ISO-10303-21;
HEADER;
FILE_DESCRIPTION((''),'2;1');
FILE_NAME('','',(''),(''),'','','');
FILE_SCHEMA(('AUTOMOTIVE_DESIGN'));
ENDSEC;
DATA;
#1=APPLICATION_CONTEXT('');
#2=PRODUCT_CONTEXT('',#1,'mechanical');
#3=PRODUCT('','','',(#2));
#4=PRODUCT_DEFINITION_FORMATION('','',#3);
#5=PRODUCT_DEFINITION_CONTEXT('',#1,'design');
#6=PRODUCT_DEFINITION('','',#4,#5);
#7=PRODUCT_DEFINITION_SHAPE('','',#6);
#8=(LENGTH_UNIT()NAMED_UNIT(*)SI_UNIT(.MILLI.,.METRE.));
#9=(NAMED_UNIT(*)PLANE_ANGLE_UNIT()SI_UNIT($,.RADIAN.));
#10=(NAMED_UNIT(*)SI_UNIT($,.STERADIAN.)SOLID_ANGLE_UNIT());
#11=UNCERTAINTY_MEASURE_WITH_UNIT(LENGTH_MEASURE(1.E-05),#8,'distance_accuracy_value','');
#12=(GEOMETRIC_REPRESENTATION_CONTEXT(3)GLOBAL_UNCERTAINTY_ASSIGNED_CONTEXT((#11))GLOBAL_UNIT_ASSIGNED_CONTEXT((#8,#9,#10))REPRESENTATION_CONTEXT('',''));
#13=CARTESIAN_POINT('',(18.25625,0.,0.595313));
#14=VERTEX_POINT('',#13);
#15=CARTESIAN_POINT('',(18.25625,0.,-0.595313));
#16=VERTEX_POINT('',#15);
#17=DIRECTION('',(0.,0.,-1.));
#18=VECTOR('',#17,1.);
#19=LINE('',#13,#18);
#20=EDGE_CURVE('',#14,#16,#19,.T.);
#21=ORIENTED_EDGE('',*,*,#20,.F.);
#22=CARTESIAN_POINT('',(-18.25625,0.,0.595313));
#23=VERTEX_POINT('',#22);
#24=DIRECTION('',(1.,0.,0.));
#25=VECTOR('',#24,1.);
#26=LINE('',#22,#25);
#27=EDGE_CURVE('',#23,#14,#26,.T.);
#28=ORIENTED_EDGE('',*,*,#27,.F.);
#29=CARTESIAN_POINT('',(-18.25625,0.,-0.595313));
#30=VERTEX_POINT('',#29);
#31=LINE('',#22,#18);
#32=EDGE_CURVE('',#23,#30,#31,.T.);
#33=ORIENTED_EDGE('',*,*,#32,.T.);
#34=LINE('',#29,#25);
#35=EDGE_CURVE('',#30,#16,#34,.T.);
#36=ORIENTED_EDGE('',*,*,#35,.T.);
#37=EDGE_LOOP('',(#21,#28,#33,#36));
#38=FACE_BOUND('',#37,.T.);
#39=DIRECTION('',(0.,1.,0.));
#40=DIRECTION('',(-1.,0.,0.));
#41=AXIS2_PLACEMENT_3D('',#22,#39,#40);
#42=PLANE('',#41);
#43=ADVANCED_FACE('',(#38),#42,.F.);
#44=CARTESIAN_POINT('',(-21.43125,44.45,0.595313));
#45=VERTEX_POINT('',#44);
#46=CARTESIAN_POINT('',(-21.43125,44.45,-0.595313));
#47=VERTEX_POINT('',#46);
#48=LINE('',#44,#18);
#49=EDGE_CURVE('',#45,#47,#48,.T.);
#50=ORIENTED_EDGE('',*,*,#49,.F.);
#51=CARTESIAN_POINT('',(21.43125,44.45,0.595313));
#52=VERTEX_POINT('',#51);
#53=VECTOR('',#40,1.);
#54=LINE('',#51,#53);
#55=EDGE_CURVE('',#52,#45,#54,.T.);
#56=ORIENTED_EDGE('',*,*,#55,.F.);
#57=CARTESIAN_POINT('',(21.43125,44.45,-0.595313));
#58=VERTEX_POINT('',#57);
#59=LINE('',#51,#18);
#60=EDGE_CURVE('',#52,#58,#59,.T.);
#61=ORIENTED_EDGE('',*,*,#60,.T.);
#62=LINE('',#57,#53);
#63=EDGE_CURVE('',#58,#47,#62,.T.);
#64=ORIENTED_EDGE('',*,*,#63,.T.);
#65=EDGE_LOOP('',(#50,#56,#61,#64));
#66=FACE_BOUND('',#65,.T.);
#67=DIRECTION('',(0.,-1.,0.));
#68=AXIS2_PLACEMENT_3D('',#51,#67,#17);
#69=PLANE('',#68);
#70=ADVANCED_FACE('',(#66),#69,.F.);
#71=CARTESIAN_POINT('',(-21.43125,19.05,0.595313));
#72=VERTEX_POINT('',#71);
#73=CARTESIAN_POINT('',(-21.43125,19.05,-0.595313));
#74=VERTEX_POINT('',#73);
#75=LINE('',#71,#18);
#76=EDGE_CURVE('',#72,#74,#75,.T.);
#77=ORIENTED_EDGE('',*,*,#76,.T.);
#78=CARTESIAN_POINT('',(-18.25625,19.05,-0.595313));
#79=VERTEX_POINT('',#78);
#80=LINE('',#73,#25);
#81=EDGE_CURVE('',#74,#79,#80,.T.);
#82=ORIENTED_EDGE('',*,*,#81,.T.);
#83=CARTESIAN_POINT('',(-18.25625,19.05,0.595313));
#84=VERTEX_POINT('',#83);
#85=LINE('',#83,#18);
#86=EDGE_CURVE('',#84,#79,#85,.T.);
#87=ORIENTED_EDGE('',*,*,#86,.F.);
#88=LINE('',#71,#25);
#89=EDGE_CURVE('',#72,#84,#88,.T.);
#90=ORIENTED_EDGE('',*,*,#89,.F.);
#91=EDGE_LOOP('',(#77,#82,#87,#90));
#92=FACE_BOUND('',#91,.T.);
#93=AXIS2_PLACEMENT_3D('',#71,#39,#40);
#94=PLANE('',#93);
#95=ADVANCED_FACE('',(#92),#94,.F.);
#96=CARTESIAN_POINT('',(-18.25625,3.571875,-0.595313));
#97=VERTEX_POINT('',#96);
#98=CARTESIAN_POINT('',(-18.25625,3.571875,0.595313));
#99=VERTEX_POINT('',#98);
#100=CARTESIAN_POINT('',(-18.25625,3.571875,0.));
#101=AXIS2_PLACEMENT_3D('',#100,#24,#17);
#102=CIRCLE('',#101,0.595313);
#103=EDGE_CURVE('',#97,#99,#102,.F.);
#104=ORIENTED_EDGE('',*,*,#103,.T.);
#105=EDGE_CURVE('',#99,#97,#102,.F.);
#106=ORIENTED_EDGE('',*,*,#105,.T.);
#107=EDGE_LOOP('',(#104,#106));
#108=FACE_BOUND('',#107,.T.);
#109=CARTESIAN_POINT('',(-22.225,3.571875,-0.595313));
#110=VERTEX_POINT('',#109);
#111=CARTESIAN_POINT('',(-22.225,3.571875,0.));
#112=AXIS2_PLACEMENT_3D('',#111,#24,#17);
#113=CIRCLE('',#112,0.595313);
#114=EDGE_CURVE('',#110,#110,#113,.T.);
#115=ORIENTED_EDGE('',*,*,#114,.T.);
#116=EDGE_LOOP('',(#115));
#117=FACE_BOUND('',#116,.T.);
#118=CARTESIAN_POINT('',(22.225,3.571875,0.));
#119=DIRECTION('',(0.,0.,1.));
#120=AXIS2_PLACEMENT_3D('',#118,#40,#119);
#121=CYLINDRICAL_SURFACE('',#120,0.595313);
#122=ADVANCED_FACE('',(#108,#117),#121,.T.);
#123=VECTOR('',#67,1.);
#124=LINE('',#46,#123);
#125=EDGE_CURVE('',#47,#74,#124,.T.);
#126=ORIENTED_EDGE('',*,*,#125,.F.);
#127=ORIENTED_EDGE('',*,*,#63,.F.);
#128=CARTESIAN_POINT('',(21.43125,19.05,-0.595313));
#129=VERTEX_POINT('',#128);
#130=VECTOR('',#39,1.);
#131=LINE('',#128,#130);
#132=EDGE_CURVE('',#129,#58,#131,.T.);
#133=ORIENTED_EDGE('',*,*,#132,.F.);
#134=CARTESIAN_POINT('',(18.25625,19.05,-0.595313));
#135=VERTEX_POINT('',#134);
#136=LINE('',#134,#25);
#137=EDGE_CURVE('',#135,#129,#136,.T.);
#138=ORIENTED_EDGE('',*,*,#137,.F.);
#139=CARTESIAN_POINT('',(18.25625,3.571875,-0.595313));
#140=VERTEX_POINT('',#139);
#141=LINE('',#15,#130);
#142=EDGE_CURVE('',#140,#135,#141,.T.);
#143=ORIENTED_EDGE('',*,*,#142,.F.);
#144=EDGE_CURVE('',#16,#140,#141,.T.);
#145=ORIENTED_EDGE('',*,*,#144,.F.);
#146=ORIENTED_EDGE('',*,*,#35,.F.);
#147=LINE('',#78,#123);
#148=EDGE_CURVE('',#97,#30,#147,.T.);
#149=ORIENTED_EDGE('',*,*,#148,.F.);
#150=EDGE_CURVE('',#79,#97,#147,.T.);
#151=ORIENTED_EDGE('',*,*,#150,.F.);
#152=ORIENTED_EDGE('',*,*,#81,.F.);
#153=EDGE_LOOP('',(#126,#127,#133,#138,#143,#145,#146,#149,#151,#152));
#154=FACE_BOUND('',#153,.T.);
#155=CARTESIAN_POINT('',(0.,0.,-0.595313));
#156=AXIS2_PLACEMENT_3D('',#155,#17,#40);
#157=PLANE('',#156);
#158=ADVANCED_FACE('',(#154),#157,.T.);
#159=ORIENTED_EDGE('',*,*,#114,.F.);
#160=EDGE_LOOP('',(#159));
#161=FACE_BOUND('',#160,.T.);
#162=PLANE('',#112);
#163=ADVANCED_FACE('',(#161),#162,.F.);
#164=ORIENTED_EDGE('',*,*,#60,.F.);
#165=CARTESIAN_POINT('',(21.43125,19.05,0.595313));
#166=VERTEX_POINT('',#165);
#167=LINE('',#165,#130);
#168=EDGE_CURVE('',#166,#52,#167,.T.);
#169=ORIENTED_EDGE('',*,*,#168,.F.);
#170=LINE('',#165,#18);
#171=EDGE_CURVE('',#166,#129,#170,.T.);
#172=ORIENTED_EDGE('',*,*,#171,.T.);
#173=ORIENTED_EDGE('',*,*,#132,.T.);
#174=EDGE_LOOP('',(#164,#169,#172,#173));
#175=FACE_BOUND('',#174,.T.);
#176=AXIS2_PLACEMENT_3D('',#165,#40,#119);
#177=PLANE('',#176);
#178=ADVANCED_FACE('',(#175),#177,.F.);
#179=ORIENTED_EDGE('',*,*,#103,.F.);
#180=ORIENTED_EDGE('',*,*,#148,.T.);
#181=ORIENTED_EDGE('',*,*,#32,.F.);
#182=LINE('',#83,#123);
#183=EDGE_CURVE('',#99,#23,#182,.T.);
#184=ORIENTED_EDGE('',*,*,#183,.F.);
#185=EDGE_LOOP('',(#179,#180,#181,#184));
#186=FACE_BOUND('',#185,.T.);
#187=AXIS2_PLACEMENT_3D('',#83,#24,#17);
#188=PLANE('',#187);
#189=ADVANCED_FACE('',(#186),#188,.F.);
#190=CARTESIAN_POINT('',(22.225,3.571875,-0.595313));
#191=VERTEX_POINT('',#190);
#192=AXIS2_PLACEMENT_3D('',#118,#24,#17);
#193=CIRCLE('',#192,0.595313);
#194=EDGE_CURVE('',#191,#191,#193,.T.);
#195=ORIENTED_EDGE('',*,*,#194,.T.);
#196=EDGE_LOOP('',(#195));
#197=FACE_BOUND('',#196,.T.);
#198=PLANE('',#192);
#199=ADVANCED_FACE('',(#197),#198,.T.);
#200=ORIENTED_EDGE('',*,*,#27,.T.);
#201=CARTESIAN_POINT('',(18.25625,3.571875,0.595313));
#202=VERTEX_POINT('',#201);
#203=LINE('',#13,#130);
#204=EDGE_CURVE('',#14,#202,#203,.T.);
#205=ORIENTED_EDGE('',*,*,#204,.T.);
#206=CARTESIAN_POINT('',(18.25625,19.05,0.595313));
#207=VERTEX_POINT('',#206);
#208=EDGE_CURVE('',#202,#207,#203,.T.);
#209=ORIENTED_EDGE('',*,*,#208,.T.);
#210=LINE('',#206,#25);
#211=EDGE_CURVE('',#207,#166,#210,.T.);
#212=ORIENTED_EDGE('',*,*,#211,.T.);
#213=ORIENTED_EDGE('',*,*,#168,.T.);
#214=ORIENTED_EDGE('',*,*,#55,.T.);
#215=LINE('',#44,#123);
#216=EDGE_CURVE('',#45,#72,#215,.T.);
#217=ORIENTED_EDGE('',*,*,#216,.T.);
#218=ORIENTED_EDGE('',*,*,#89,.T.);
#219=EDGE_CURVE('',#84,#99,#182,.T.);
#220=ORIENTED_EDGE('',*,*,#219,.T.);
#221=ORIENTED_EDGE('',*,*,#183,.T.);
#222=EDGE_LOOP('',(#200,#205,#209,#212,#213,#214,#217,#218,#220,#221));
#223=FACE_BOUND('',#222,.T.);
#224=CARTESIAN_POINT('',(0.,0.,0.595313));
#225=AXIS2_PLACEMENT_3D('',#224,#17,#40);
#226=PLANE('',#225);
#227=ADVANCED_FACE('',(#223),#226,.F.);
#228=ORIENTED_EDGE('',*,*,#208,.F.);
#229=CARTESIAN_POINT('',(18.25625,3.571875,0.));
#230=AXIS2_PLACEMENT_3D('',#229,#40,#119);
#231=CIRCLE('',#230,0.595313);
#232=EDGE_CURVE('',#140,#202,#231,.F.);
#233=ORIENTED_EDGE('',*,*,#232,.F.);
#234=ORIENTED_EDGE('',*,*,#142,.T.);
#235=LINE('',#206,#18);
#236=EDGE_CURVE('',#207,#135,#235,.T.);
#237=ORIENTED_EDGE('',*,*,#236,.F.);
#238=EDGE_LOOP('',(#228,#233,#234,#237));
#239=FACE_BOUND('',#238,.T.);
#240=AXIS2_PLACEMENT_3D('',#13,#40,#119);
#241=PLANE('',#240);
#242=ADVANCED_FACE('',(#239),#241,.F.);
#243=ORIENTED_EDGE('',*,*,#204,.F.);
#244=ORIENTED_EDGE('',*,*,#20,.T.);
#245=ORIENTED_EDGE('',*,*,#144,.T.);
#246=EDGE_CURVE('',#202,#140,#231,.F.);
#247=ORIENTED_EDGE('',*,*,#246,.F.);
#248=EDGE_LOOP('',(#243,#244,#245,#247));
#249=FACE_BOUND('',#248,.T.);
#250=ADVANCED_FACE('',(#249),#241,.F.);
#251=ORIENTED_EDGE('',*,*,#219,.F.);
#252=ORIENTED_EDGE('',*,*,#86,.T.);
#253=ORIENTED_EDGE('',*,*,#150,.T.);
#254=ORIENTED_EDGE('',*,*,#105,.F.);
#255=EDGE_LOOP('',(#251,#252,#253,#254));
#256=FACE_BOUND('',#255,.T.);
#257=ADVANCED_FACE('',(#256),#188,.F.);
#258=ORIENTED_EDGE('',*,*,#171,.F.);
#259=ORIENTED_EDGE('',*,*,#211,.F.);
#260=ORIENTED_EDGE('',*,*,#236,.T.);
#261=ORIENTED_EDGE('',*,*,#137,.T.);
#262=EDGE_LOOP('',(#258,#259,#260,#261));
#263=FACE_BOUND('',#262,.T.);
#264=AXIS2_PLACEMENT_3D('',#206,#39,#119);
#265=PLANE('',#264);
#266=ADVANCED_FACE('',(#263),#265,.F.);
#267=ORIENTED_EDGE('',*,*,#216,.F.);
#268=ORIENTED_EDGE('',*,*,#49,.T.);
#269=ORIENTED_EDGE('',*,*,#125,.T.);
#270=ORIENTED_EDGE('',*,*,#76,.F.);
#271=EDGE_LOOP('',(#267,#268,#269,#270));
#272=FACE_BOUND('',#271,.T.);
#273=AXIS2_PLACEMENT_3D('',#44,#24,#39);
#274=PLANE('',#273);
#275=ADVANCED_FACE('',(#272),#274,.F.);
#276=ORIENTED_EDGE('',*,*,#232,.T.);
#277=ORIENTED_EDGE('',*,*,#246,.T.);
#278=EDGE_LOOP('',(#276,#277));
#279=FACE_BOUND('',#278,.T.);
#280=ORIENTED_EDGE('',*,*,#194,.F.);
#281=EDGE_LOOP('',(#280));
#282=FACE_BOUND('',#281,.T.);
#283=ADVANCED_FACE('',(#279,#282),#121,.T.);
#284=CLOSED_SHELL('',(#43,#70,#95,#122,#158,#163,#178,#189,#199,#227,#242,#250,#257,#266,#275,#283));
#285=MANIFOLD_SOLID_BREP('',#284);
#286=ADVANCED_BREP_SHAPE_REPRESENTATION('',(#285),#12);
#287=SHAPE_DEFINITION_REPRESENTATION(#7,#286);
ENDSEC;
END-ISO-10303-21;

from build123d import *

# Parameters (mm, degrees)
BOSS_EXTRUDE1_DEPTH = 0.5953125
SKETCH2_R           = 0.5953125
BOSS_EXTRUDE2_DEPTH = 22.225


with BuildPart() as part:
    # Sketch1 → Boss-Extrude1 (new, symmetric)
    with BuildSketch(Plane.XY):
        Polygon((-18.25625, 0), (18.25625, 0), (18.25625, 19.05), (21.43125, 19.05), (21.43125, 44.45), (-21.43125, 44.45), (-21.43125, 19.05), (-18.25625, 19.05), align=None)
    extrude(amount=BOSS_EXTRUDE1_DEPTH, both=True)

    # Sketch2 → Boss-Extrude2 (add, symmetric)
    with BuildSketch(Plane(origin=(0, 0, 0), x_dir=(0, 0, -1), z_dir=(1, 0, 0))):
        with Locations((0, 3.571875)):
            Circle(SKETCH2_R)
    extrude(amount=BOSS_EXTRUDE2_DEPTH, both=True)


solid = part.part
